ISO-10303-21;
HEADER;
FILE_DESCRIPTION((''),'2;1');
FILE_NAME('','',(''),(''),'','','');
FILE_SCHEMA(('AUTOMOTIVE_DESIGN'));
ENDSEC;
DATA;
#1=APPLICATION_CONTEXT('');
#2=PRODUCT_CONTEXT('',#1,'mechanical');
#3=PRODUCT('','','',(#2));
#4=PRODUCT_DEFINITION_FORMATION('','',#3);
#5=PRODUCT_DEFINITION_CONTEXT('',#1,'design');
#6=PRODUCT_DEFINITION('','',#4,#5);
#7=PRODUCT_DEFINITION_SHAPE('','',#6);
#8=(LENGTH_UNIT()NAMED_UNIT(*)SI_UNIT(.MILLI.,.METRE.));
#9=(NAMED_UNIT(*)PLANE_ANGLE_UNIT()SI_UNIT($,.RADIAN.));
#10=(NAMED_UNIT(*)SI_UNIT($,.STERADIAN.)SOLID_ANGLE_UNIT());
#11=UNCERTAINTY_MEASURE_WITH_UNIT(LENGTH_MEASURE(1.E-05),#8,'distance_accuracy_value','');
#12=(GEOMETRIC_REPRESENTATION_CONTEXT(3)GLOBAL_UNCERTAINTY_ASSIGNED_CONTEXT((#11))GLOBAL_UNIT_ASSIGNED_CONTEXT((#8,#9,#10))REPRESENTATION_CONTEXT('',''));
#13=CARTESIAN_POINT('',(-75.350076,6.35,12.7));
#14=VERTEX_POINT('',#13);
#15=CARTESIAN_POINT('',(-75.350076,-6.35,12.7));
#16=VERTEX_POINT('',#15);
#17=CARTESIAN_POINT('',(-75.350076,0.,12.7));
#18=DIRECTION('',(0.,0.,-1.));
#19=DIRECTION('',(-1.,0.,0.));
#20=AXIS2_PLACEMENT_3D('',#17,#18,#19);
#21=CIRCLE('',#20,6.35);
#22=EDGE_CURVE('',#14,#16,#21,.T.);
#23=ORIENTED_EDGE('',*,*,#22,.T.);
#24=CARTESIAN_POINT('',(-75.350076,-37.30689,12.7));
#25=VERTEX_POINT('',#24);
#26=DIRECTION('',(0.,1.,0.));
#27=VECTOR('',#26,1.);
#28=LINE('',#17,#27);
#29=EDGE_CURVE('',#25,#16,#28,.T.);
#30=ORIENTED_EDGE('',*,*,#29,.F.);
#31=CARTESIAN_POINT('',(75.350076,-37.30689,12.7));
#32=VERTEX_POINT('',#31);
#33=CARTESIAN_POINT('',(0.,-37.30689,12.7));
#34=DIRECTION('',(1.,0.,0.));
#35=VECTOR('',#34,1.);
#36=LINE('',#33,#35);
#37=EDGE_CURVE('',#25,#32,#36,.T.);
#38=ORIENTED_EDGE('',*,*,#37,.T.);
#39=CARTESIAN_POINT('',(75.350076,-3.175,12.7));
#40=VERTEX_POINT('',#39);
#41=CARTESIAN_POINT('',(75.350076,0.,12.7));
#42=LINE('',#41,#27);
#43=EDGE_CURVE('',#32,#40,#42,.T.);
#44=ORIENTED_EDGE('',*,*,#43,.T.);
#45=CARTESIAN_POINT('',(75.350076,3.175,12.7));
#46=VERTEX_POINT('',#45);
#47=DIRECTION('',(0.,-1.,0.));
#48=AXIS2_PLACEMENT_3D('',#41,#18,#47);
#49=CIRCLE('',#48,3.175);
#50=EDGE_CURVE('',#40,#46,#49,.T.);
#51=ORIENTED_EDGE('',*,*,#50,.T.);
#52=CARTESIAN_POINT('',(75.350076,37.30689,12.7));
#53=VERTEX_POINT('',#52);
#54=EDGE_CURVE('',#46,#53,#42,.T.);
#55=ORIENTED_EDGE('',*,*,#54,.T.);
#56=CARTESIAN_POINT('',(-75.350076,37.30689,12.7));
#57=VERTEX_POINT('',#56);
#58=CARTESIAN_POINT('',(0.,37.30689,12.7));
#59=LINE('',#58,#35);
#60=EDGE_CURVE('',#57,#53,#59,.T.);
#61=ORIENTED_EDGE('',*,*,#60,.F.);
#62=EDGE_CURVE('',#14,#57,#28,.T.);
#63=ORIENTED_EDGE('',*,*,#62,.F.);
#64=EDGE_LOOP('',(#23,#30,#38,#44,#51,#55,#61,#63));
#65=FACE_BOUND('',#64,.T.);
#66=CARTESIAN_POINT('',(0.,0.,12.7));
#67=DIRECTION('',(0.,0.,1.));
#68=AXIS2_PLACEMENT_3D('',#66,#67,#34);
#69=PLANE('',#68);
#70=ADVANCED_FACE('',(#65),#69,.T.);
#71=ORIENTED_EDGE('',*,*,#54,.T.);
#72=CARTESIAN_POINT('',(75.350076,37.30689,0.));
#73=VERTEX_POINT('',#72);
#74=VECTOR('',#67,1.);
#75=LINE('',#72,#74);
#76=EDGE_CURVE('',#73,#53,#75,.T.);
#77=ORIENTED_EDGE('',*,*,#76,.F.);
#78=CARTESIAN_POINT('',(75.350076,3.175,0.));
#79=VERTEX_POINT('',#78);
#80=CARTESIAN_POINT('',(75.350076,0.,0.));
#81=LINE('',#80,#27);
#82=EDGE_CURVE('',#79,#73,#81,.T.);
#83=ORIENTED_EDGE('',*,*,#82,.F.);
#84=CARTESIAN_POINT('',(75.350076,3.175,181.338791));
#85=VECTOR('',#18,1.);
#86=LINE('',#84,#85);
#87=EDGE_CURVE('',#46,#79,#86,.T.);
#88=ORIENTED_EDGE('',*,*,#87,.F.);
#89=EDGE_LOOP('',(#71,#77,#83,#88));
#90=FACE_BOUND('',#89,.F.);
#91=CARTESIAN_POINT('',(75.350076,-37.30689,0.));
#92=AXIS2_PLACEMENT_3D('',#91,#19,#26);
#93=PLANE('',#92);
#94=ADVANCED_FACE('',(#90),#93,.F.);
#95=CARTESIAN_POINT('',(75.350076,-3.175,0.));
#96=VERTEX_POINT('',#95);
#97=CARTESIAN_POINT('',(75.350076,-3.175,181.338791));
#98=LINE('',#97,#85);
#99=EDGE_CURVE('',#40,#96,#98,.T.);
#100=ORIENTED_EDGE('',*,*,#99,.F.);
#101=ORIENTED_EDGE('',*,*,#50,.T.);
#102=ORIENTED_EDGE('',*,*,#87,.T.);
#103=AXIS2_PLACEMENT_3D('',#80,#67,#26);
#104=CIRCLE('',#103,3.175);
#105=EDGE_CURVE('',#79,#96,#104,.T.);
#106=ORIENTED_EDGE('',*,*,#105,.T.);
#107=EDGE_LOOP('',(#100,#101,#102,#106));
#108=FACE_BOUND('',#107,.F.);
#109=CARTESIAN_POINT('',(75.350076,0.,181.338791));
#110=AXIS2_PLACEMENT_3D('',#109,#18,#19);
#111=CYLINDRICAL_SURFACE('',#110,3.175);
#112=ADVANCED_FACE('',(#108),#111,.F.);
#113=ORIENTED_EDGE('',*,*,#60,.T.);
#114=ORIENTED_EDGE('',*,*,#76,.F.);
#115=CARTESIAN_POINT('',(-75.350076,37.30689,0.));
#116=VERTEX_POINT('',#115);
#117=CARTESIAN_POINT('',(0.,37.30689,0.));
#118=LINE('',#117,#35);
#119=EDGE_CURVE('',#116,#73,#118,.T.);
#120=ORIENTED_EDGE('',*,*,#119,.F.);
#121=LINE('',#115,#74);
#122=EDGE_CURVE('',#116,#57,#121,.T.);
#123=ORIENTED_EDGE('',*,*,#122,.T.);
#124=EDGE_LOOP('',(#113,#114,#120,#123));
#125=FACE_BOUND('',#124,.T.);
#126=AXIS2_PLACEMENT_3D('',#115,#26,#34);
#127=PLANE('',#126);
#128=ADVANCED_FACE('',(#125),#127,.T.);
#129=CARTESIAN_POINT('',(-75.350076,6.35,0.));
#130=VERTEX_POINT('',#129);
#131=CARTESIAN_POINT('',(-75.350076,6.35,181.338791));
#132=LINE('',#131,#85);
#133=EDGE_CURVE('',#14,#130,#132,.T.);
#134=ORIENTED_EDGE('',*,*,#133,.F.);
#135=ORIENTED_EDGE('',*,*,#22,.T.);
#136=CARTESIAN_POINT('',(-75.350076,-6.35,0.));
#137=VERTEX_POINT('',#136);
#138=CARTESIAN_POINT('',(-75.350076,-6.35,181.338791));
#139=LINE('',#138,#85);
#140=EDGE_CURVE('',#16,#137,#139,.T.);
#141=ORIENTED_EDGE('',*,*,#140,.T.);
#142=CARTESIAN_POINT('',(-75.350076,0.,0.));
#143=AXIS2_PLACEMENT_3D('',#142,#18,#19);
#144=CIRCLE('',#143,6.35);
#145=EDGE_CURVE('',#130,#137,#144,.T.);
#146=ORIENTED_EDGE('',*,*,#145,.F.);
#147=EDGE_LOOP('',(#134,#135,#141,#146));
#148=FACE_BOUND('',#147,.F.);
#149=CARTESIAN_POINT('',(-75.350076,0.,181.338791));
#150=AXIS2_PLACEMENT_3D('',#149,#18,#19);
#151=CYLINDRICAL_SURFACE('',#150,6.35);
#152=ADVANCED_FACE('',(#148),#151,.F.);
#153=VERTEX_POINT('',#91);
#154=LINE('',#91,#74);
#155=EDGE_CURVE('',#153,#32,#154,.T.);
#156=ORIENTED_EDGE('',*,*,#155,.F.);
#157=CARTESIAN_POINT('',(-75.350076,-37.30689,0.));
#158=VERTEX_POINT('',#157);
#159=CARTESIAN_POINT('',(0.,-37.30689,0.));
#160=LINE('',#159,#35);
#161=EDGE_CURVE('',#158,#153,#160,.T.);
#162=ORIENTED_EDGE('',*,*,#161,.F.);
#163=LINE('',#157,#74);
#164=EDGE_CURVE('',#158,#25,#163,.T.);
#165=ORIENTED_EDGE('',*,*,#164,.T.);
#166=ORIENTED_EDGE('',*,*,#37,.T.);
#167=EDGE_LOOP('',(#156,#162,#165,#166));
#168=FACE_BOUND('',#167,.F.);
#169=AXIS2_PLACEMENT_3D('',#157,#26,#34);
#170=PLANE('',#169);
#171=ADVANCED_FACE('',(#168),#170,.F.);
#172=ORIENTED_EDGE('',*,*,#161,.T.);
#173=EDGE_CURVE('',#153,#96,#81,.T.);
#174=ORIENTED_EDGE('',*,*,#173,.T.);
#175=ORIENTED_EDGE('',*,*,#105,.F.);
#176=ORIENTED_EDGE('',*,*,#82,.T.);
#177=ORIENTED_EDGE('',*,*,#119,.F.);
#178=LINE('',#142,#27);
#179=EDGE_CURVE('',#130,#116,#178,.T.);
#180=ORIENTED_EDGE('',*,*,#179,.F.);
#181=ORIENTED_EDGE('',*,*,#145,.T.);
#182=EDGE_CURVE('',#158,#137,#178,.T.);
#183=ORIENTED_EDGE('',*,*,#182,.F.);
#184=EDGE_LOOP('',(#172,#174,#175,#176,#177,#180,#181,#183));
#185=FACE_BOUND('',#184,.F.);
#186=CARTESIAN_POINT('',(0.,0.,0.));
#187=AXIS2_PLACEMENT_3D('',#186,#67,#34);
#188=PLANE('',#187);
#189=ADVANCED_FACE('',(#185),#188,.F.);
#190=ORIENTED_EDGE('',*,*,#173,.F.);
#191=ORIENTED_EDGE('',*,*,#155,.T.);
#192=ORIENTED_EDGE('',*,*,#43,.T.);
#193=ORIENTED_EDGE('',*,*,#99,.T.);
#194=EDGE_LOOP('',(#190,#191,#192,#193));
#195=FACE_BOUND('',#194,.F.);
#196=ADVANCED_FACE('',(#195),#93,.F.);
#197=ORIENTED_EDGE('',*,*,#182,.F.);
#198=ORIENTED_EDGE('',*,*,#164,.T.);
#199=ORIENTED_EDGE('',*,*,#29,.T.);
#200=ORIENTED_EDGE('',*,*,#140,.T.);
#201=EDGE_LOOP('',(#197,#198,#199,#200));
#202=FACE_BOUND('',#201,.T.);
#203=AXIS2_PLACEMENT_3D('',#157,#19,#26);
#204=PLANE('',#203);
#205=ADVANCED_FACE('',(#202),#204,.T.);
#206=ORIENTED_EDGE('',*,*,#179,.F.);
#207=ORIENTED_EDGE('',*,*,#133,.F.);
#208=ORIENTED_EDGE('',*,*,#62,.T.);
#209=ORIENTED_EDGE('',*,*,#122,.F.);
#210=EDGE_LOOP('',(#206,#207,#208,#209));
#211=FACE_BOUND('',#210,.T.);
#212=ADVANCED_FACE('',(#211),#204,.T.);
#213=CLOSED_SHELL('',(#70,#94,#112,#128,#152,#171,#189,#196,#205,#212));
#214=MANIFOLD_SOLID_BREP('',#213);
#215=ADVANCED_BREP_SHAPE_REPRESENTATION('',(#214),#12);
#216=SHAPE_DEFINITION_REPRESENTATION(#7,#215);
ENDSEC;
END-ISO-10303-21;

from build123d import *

# Parameters (mm, degrees)
F0_W     = 150.700152
F0_H     = 74.61378
F1_DEPTH = 12.7
F3_D     = 6.35
F5_D     = 12.7


with BuildPart() as f1:
    # F0 (on Top) → F1 (new body)
    with BuildSketch(Plane.XY):
        Rectangle(F0_W, F0_H)
    extrude(amount=F1_DEPTH)

    # F3 (through all)
    with Locations(Plane.XY.offset(12.7)):
        with Locations((75.350076, 0)):
            Hole(F3_D / 2)

    # F5 (through all)
    with Locations(Plane.XY.offset(12.7)):
        with Locations((-75.350076, 0)):
            Hole(F5_D / 2)


solid = f1.part
